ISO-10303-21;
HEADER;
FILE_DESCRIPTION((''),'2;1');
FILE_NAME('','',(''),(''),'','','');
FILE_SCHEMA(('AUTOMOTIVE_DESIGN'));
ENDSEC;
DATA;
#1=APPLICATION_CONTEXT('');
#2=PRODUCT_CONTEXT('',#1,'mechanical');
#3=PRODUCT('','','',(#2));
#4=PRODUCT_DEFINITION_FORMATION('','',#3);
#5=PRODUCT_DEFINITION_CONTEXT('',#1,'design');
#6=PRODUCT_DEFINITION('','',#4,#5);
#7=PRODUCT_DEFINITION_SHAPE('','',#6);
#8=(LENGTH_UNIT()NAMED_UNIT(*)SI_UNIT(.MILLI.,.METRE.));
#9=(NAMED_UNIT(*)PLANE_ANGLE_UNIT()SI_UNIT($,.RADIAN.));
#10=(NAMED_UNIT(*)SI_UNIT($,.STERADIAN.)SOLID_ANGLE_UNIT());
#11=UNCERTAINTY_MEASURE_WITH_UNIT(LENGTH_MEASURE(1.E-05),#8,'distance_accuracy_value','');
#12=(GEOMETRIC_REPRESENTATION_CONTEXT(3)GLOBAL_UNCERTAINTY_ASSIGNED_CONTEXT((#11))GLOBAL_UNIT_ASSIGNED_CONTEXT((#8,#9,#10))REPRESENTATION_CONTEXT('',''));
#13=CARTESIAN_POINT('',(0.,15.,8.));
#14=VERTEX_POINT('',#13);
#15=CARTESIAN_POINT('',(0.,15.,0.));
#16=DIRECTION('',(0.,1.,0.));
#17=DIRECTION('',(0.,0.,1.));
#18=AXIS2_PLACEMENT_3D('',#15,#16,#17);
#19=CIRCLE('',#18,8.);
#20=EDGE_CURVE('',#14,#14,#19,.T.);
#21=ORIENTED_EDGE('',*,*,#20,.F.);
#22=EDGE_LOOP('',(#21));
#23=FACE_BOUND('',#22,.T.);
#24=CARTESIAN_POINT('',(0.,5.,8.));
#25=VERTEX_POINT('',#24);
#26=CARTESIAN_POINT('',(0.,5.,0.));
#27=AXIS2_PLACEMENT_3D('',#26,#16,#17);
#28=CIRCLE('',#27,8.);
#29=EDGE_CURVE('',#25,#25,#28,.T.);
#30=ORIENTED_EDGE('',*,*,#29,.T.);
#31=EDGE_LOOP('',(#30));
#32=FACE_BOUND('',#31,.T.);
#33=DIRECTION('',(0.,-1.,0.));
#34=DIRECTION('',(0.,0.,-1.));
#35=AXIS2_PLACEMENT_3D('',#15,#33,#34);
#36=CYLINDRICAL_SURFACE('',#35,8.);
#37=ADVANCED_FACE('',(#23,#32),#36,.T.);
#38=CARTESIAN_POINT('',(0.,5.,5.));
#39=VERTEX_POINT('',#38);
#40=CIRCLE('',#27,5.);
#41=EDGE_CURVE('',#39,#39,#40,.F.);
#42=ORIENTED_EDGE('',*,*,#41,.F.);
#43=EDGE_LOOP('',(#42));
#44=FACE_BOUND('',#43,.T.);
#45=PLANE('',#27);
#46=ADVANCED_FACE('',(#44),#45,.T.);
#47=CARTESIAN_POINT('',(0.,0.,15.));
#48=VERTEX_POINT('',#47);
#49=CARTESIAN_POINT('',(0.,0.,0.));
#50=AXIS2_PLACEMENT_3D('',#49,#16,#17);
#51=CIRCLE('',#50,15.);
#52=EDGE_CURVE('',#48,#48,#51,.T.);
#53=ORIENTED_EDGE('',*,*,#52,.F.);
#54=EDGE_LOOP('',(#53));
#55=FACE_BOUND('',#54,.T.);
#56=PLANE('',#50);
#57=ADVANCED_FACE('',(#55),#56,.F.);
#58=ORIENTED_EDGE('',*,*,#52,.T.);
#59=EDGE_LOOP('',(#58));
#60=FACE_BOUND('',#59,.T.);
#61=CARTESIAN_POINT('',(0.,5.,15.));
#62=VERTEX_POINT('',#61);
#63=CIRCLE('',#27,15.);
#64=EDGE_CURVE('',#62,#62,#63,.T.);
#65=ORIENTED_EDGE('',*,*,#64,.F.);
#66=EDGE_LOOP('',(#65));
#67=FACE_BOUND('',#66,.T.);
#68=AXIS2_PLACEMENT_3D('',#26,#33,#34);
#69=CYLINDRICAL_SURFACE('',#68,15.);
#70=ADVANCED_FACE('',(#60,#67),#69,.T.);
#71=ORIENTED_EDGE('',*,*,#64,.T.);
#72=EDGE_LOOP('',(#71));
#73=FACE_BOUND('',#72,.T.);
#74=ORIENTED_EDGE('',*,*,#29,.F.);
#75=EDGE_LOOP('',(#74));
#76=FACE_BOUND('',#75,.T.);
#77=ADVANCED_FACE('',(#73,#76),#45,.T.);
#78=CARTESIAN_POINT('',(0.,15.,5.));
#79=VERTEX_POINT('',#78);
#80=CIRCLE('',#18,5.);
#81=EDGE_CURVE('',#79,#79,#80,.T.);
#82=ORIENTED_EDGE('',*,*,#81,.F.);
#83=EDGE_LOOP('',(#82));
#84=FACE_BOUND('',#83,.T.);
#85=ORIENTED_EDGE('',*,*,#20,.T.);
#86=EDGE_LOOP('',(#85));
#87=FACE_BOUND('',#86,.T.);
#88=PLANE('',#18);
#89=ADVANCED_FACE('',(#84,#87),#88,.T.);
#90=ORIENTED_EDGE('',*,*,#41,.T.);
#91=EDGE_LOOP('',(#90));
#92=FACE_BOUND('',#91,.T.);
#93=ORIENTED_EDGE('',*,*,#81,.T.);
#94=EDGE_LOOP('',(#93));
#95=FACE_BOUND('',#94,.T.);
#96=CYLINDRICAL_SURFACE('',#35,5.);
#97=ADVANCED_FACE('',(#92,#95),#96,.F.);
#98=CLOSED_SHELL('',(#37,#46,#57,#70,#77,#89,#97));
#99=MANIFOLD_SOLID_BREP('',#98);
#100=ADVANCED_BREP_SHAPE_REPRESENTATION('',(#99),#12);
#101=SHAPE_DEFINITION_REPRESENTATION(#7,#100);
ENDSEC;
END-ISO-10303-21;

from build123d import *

# Parameters (mm, degrees)
ESQUISSE1_R        = 15
BOSS_EXTRU_1_DEPTH = 5
ESQUISSE2_R        = 8
ESQUISSE2_R_2      = 5
BOSS_EXTRU_2_DEPTH = 10


with BuildPart() as part:
    # Esquisse1 → Boss.-Extru.1 (new body)
    with BuildSketch(Plane(origin=(0, 0, 0), x_dir=(1, 0, 0), z_dir=(0, 1, 0))):
        with Locations(Location((0, 0, 0), (0, 0, 270))):
            Circle(ESQUISSE1_R)
    extrude(amount=BOSS_EXTRU_1_DEPTH)

    # Esquisse2 → Boss.-Extru.2 (add)
    with BuildSketch(Plane(origin=(0, 5, 0), x_dir=(1, 0, 0), z_dir=(0, 1, 0))):
        with Locations(Location((0, 0, 0), (0, 0, 270))):
            Circle(ESQUISSE2_R)
        with Locations(Location((0, 0, 0), (0, 0, 270))):
            Circle(ESQUISSE2_R_2, mode=Mode.SUBTRACT)
    extrude(amount=BOSS_EXTRU_2_DEPTH)


solid = part.part
